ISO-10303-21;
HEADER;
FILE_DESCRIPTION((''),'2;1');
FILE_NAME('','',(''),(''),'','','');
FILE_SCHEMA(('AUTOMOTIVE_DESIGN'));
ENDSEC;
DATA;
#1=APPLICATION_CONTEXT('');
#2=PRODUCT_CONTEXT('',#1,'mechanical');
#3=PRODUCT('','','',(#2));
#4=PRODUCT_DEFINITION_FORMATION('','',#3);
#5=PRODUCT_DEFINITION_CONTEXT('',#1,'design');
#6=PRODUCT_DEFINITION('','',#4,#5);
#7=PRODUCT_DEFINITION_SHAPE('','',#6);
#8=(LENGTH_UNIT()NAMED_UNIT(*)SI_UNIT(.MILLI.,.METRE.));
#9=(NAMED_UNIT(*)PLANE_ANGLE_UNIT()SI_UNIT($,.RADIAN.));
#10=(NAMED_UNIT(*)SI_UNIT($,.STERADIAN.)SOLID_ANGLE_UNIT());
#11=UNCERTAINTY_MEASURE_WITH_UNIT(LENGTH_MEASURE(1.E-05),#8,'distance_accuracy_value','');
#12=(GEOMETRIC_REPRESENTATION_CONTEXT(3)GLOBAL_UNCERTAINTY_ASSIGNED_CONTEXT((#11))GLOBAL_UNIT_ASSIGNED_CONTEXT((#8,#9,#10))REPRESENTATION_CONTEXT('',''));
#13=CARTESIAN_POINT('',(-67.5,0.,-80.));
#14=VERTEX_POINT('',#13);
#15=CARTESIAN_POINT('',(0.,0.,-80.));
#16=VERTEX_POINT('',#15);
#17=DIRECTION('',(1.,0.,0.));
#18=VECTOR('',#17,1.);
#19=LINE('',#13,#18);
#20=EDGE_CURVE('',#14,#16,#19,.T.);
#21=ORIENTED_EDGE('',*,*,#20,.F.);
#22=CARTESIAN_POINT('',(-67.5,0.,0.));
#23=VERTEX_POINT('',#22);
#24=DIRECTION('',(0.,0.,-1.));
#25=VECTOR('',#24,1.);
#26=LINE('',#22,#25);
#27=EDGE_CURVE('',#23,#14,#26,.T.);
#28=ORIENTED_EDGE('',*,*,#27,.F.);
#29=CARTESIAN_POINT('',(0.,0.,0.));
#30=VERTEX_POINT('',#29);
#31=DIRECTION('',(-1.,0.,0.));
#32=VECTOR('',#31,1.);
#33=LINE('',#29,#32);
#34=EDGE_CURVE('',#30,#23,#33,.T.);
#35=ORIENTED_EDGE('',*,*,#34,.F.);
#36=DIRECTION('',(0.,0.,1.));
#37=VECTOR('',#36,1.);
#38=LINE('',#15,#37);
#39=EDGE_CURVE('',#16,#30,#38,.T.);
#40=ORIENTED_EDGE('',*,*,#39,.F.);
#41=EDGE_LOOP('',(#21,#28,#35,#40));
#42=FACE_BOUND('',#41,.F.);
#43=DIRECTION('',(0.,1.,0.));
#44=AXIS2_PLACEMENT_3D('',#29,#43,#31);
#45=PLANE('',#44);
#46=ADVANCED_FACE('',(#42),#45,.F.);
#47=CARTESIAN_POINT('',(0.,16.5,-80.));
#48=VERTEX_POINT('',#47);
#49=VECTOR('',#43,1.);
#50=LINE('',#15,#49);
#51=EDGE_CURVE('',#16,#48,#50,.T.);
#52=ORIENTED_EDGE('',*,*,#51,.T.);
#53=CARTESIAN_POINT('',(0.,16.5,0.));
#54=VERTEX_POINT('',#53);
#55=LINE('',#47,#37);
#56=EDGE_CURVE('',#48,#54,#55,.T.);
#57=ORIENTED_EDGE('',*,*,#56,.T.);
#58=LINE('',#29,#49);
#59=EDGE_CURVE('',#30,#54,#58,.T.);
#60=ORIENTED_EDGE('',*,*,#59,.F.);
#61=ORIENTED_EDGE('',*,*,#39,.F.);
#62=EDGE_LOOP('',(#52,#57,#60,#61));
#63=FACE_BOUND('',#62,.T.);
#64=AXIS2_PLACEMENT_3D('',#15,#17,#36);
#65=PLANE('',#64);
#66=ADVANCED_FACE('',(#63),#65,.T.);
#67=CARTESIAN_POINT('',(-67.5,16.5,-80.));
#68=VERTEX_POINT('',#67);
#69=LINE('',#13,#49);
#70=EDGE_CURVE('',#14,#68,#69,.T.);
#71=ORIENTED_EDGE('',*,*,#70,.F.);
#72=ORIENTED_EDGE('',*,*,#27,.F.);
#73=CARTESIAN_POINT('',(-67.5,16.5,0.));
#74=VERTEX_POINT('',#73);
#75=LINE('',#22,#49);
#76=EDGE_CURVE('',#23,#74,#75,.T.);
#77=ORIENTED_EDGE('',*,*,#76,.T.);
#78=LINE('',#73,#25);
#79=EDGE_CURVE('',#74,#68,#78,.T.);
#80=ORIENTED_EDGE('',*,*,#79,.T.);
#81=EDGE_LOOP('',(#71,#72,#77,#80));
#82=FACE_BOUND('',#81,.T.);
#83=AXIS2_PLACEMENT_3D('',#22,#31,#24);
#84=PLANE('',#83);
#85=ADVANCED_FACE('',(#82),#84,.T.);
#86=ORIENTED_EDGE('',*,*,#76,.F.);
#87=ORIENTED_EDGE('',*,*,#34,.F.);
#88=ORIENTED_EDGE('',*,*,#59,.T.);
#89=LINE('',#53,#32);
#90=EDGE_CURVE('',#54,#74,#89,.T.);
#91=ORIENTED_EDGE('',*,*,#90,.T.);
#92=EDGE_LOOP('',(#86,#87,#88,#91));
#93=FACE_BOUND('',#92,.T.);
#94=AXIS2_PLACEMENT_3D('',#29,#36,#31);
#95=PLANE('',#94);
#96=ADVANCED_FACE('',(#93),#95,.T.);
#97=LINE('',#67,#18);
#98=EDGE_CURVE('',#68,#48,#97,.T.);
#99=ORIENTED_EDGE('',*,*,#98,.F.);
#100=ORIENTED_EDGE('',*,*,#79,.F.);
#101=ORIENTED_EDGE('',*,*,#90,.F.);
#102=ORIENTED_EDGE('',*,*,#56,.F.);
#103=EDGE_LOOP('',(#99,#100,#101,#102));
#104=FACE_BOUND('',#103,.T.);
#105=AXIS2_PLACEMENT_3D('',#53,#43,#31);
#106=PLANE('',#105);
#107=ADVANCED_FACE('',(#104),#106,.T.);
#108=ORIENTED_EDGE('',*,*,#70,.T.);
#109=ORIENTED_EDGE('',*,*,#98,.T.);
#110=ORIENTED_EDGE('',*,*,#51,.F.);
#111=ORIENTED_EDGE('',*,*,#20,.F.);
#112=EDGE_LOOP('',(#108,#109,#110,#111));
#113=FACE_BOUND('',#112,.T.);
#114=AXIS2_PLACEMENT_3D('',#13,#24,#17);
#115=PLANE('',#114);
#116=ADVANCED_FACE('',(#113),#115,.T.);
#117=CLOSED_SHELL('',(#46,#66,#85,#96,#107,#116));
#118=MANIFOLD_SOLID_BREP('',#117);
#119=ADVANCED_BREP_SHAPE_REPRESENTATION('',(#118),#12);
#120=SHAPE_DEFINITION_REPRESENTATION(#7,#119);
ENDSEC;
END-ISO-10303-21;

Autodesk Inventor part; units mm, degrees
ref_plane "YZ Plane" through (0, 0, 0) normal (1, 0, 0) x (0, 1, 0)
ref_plane "XZ Plane" through (0, 0, 0) normal (0, 1, 0) x (-1, 0, 0)
ref_plane "XY Plane" through (0, 0, 0) normal (0, 0, 1) x (1, 0, 0)
sketch "草圖1" plane through (0, 0, 0) normal (0, 1, 0) x (-1, 0, 0)
  line L0 (0, 0) -> (67.5, 0)
  line L1 (67.5, 0) -> (67.5, -80)
  line L2 (67.5, -80) -> (0, -80)
  line L3 (0, -80) -> (0, 0)
  dimension "d0" = 80
  dimension "d1" = 67.5
extrude "擠出1" add sketch "草圖1" along normal blind 16.5
properties part number "Arduino板"
